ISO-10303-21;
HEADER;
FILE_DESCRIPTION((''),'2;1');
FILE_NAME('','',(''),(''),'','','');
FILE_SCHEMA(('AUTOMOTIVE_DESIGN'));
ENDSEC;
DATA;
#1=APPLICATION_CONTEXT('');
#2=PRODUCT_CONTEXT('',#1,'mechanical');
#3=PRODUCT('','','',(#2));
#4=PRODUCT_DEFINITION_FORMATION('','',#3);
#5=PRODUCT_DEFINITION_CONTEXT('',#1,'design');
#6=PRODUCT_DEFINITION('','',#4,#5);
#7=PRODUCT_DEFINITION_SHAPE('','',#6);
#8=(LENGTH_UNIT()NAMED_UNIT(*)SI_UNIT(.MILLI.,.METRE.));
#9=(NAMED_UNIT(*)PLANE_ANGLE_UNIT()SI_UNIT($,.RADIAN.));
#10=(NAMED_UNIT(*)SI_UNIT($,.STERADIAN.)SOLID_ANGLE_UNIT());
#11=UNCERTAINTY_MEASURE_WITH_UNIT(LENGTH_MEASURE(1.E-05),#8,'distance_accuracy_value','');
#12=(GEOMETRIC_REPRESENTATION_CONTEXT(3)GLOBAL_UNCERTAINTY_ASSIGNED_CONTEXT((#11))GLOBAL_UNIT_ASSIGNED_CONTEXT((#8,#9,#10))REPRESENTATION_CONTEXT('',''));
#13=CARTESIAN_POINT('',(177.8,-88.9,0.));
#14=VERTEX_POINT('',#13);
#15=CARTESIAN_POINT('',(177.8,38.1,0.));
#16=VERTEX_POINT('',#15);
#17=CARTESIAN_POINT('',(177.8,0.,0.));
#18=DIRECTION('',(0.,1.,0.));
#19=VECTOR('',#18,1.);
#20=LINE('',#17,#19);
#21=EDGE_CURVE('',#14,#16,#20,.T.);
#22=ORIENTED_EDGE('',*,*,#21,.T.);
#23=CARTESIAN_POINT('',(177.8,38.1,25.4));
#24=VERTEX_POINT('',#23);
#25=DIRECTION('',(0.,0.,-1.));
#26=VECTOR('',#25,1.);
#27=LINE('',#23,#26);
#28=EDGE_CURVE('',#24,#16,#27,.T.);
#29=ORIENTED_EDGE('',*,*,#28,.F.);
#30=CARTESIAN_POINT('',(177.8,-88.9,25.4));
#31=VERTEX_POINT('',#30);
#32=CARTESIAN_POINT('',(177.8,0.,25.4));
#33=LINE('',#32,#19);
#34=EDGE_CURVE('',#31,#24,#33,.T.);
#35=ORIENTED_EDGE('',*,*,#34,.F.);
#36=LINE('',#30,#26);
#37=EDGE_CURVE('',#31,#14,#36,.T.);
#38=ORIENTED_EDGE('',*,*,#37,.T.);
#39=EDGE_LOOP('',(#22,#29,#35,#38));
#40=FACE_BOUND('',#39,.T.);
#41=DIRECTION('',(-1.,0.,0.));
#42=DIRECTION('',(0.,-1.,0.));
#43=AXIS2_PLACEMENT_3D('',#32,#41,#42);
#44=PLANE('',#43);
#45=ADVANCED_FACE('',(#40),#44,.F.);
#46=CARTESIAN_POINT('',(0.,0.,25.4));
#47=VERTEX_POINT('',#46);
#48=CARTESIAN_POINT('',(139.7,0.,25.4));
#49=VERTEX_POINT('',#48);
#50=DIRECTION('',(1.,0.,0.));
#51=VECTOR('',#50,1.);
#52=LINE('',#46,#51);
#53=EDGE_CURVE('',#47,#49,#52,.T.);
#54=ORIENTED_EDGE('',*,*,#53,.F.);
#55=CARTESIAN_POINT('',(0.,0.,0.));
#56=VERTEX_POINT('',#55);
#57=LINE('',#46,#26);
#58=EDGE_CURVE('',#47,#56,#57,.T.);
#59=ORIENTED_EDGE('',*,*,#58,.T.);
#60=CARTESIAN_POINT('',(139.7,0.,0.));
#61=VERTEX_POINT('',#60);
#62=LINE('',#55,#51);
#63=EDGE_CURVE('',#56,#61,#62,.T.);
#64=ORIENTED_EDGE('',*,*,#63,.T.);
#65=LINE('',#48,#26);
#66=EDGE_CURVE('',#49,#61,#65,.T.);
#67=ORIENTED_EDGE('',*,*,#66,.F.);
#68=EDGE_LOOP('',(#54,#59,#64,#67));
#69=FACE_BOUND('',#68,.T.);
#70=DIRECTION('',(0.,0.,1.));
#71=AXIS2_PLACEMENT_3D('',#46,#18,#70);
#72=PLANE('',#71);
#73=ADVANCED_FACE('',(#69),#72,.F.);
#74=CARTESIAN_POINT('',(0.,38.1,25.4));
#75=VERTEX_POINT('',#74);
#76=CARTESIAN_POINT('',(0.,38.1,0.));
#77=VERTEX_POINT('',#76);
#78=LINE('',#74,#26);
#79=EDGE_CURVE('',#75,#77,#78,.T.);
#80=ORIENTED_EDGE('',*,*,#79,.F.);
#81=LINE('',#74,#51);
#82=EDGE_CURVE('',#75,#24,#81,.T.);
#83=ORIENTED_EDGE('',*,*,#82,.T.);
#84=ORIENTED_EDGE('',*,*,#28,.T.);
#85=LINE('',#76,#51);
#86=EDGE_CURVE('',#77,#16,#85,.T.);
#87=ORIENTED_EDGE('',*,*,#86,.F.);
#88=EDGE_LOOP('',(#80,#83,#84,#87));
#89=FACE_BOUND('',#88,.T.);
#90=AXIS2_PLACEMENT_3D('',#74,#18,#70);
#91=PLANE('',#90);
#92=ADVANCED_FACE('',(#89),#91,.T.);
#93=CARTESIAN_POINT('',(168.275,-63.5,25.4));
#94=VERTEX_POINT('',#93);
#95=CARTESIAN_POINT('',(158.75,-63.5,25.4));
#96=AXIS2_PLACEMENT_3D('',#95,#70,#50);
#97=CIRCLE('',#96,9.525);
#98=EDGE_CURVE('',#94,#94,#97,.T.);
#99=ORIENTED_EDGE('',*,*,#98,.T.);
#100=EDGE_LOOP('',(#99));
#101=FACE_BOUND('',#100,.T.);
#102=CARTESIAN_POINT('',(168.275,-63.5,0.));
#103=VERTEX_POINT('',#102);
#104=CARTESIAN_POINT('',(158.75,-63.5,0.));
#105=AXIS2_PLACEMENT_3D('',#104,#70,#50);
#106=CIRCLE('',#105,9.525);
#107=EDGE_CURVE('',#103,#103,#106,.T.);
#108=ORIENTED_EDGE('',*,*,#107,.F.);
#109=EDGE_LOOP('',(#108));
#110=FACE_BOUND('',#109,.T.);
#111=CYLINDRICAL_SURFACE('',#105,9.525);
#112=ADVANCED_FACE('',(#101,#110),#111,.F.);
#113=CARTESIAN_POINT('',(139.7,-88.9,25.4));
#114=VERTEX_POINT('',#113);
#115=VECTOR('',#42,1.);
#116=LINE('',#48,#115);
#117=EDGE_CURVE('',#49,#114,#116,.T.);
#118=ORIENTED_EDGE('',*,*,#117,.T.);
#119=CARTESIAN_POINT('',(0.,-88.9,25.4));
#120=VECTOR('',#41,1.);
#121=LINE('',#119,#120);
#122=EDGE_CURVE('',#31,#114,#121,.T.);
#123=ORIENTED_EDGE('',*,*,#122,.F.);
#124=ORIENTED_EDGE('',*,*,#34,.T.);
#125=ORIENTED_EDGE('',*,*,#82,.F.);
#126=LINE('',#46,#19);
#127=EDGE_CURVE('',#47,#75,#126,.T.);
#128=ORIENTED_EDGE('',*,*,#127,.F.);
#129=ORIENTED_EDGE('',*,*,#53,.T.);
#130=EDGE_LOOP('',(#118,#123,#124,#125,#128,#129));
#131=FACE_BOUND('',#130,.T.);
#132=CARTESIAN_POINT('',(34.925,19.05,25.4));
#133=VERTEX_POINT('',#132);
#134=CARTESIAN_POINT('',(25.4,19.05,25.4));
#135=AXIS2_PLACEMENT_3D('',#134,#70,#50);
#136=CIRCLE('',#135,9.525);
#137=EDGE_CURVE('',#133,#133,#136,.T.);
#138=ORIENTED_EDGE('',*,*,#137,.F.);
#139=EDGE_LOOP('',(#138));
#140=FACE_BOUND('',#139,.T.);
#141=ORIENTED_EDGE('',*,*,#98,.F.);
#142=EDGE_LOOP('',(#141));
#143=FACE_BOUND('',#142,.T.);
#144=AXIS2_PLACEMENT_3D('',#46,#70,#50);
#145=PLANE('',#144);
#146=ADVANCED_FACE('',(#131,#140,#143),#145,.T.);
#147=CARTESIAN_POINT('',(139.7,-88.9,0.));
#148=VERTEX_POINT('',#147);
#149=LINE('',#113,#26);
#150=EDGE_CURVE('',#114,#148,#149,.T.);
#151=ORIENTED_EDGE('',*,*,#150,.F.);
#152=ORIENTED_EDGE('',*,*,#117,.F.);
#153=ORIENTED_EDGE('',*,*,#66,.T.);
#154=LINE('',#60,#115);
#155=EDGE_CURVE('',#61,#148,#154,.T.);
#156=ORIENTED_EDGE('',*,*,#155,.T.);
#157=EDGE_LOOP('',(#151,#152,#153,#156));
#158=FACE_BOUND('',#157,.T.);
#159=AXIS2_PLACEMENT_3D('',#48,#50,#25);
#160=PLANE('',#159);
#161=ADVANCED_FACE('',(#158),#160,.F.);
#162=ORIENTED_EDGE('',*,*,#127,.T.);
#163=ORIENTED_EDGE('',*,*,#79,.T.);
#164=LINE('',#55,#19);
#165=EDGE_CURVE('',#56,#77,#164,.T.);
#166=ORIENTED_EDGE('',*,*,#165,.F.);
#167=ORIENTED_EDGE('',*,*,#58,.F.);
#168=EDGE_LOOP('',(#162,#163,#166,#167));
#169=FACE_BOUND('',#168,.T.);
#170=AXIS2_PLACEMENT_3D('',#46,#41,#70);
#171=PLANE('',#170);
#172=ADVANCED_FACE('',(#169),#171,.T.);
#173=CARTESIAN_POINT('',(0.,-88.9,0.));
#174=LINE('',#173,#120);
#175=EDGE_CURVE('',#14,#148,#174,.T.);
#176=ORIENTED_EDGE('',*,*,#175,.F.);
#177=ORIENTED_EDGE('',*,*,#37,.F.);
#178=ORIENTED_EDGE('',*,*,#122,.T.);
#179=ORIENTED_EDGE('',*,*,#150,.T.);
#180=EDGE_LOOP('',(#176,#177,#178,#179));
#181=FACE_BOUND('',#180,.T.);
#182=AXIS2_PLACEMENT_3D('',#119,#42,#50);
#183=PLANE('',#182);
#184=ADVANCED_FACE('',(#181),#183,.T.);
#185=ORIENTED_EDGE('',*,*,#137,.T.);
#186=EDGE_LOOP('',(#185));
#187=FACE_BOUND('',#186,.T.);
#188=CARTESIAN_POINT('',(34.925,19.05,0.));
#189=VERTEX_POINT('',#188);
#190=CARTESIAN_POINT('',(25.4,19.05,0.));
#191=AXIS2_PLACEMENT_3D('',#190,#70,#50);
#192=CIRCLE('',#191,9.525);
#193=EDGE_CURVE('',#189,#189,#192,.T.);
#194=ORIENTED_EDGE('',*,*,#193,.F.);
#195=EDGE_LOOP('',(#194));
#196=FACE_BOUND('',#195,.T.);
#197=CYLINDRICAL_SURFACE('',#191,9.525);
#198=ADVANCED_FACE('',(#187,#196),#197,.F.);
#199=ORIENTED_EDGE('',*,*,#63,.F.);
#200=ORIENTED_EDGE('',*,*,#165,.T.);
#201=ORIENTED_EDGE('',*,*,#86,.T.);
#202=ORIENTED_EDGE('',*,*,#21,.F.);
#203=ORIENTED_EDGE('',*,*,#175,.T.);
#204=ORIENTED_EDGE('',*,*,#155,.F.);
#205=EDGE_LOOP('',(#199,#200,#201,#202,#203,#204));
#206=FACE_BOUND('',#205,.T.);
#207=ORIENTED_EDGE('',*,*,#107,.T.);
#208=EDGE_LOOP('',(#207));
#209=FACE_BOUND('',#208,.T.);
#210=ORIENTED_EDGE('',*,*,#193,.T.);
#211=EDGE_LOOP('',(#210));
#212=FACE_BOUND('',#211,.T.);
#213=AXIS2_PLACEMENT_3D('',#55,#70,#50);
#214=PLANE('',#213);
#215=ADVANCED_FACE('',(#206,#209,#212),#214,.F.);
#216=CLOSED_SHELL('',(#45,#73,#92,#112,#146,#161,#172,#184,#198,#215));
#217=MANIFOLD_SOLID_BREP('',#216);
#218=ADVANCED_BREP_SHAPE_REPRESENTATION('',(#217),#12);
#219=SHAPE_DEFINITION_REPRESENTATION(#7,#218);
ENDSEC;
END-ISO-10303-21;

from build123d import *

# Parameters (mm, degrees)
SKETCH1_W           = 177.8
SKETCH1_H           = 38.1
SKETCH1_W_2         = 38.1
SKETCH1_H_2         = 88.9
BOSS_EXTRUDE1_DEPTH = 25.4
SKETCH2_R           = 9.525
CUT_EXTRUDE1_DEPTH  = 26.4
SKETCH3_R           = 9.525
CUT_EXTRUDE2_DEPTH  = 26.4


with BuildPart() as part:
    # Sketch1 → Boss-Extrude1 (new body)
    with BuildSketch(Plane.XY):
        with Locations((88.9, 19.05)):
            Rectangle(SKETCH1_W, SKETCH1_H)
        with Locations((158.75, -44.45)):
            Rectangle(SKETCH1_W_2, SKETCH1_H_2)
    extrude(amount=BOSS_EXTRUDE1_DEPTH)

    # Sketch2 → Cut-Extrude1 (cut, through all)
    with BuildSketch(Plane.XY.offset(25.4)):
        with Locations((25.4, 19.05)):
            Circle(SKETCH2_R)
    extrude(amount=-CUT_EXTRUDE1_DEPTH, mode=Mode.SUBTRACT)

    # Sketch3 → Cut-Extrude2 (cut, through all)
    with BuildSketch(Plane.XY.offset(25.4)):
        with Locations((158.75, -63.5)):
            Circle(SKETCH3_R)
    extrude(amount=-CUT_EXTRUDE2_DEPTH, mode=Mode.SUBTRACT)


solid = part.part
